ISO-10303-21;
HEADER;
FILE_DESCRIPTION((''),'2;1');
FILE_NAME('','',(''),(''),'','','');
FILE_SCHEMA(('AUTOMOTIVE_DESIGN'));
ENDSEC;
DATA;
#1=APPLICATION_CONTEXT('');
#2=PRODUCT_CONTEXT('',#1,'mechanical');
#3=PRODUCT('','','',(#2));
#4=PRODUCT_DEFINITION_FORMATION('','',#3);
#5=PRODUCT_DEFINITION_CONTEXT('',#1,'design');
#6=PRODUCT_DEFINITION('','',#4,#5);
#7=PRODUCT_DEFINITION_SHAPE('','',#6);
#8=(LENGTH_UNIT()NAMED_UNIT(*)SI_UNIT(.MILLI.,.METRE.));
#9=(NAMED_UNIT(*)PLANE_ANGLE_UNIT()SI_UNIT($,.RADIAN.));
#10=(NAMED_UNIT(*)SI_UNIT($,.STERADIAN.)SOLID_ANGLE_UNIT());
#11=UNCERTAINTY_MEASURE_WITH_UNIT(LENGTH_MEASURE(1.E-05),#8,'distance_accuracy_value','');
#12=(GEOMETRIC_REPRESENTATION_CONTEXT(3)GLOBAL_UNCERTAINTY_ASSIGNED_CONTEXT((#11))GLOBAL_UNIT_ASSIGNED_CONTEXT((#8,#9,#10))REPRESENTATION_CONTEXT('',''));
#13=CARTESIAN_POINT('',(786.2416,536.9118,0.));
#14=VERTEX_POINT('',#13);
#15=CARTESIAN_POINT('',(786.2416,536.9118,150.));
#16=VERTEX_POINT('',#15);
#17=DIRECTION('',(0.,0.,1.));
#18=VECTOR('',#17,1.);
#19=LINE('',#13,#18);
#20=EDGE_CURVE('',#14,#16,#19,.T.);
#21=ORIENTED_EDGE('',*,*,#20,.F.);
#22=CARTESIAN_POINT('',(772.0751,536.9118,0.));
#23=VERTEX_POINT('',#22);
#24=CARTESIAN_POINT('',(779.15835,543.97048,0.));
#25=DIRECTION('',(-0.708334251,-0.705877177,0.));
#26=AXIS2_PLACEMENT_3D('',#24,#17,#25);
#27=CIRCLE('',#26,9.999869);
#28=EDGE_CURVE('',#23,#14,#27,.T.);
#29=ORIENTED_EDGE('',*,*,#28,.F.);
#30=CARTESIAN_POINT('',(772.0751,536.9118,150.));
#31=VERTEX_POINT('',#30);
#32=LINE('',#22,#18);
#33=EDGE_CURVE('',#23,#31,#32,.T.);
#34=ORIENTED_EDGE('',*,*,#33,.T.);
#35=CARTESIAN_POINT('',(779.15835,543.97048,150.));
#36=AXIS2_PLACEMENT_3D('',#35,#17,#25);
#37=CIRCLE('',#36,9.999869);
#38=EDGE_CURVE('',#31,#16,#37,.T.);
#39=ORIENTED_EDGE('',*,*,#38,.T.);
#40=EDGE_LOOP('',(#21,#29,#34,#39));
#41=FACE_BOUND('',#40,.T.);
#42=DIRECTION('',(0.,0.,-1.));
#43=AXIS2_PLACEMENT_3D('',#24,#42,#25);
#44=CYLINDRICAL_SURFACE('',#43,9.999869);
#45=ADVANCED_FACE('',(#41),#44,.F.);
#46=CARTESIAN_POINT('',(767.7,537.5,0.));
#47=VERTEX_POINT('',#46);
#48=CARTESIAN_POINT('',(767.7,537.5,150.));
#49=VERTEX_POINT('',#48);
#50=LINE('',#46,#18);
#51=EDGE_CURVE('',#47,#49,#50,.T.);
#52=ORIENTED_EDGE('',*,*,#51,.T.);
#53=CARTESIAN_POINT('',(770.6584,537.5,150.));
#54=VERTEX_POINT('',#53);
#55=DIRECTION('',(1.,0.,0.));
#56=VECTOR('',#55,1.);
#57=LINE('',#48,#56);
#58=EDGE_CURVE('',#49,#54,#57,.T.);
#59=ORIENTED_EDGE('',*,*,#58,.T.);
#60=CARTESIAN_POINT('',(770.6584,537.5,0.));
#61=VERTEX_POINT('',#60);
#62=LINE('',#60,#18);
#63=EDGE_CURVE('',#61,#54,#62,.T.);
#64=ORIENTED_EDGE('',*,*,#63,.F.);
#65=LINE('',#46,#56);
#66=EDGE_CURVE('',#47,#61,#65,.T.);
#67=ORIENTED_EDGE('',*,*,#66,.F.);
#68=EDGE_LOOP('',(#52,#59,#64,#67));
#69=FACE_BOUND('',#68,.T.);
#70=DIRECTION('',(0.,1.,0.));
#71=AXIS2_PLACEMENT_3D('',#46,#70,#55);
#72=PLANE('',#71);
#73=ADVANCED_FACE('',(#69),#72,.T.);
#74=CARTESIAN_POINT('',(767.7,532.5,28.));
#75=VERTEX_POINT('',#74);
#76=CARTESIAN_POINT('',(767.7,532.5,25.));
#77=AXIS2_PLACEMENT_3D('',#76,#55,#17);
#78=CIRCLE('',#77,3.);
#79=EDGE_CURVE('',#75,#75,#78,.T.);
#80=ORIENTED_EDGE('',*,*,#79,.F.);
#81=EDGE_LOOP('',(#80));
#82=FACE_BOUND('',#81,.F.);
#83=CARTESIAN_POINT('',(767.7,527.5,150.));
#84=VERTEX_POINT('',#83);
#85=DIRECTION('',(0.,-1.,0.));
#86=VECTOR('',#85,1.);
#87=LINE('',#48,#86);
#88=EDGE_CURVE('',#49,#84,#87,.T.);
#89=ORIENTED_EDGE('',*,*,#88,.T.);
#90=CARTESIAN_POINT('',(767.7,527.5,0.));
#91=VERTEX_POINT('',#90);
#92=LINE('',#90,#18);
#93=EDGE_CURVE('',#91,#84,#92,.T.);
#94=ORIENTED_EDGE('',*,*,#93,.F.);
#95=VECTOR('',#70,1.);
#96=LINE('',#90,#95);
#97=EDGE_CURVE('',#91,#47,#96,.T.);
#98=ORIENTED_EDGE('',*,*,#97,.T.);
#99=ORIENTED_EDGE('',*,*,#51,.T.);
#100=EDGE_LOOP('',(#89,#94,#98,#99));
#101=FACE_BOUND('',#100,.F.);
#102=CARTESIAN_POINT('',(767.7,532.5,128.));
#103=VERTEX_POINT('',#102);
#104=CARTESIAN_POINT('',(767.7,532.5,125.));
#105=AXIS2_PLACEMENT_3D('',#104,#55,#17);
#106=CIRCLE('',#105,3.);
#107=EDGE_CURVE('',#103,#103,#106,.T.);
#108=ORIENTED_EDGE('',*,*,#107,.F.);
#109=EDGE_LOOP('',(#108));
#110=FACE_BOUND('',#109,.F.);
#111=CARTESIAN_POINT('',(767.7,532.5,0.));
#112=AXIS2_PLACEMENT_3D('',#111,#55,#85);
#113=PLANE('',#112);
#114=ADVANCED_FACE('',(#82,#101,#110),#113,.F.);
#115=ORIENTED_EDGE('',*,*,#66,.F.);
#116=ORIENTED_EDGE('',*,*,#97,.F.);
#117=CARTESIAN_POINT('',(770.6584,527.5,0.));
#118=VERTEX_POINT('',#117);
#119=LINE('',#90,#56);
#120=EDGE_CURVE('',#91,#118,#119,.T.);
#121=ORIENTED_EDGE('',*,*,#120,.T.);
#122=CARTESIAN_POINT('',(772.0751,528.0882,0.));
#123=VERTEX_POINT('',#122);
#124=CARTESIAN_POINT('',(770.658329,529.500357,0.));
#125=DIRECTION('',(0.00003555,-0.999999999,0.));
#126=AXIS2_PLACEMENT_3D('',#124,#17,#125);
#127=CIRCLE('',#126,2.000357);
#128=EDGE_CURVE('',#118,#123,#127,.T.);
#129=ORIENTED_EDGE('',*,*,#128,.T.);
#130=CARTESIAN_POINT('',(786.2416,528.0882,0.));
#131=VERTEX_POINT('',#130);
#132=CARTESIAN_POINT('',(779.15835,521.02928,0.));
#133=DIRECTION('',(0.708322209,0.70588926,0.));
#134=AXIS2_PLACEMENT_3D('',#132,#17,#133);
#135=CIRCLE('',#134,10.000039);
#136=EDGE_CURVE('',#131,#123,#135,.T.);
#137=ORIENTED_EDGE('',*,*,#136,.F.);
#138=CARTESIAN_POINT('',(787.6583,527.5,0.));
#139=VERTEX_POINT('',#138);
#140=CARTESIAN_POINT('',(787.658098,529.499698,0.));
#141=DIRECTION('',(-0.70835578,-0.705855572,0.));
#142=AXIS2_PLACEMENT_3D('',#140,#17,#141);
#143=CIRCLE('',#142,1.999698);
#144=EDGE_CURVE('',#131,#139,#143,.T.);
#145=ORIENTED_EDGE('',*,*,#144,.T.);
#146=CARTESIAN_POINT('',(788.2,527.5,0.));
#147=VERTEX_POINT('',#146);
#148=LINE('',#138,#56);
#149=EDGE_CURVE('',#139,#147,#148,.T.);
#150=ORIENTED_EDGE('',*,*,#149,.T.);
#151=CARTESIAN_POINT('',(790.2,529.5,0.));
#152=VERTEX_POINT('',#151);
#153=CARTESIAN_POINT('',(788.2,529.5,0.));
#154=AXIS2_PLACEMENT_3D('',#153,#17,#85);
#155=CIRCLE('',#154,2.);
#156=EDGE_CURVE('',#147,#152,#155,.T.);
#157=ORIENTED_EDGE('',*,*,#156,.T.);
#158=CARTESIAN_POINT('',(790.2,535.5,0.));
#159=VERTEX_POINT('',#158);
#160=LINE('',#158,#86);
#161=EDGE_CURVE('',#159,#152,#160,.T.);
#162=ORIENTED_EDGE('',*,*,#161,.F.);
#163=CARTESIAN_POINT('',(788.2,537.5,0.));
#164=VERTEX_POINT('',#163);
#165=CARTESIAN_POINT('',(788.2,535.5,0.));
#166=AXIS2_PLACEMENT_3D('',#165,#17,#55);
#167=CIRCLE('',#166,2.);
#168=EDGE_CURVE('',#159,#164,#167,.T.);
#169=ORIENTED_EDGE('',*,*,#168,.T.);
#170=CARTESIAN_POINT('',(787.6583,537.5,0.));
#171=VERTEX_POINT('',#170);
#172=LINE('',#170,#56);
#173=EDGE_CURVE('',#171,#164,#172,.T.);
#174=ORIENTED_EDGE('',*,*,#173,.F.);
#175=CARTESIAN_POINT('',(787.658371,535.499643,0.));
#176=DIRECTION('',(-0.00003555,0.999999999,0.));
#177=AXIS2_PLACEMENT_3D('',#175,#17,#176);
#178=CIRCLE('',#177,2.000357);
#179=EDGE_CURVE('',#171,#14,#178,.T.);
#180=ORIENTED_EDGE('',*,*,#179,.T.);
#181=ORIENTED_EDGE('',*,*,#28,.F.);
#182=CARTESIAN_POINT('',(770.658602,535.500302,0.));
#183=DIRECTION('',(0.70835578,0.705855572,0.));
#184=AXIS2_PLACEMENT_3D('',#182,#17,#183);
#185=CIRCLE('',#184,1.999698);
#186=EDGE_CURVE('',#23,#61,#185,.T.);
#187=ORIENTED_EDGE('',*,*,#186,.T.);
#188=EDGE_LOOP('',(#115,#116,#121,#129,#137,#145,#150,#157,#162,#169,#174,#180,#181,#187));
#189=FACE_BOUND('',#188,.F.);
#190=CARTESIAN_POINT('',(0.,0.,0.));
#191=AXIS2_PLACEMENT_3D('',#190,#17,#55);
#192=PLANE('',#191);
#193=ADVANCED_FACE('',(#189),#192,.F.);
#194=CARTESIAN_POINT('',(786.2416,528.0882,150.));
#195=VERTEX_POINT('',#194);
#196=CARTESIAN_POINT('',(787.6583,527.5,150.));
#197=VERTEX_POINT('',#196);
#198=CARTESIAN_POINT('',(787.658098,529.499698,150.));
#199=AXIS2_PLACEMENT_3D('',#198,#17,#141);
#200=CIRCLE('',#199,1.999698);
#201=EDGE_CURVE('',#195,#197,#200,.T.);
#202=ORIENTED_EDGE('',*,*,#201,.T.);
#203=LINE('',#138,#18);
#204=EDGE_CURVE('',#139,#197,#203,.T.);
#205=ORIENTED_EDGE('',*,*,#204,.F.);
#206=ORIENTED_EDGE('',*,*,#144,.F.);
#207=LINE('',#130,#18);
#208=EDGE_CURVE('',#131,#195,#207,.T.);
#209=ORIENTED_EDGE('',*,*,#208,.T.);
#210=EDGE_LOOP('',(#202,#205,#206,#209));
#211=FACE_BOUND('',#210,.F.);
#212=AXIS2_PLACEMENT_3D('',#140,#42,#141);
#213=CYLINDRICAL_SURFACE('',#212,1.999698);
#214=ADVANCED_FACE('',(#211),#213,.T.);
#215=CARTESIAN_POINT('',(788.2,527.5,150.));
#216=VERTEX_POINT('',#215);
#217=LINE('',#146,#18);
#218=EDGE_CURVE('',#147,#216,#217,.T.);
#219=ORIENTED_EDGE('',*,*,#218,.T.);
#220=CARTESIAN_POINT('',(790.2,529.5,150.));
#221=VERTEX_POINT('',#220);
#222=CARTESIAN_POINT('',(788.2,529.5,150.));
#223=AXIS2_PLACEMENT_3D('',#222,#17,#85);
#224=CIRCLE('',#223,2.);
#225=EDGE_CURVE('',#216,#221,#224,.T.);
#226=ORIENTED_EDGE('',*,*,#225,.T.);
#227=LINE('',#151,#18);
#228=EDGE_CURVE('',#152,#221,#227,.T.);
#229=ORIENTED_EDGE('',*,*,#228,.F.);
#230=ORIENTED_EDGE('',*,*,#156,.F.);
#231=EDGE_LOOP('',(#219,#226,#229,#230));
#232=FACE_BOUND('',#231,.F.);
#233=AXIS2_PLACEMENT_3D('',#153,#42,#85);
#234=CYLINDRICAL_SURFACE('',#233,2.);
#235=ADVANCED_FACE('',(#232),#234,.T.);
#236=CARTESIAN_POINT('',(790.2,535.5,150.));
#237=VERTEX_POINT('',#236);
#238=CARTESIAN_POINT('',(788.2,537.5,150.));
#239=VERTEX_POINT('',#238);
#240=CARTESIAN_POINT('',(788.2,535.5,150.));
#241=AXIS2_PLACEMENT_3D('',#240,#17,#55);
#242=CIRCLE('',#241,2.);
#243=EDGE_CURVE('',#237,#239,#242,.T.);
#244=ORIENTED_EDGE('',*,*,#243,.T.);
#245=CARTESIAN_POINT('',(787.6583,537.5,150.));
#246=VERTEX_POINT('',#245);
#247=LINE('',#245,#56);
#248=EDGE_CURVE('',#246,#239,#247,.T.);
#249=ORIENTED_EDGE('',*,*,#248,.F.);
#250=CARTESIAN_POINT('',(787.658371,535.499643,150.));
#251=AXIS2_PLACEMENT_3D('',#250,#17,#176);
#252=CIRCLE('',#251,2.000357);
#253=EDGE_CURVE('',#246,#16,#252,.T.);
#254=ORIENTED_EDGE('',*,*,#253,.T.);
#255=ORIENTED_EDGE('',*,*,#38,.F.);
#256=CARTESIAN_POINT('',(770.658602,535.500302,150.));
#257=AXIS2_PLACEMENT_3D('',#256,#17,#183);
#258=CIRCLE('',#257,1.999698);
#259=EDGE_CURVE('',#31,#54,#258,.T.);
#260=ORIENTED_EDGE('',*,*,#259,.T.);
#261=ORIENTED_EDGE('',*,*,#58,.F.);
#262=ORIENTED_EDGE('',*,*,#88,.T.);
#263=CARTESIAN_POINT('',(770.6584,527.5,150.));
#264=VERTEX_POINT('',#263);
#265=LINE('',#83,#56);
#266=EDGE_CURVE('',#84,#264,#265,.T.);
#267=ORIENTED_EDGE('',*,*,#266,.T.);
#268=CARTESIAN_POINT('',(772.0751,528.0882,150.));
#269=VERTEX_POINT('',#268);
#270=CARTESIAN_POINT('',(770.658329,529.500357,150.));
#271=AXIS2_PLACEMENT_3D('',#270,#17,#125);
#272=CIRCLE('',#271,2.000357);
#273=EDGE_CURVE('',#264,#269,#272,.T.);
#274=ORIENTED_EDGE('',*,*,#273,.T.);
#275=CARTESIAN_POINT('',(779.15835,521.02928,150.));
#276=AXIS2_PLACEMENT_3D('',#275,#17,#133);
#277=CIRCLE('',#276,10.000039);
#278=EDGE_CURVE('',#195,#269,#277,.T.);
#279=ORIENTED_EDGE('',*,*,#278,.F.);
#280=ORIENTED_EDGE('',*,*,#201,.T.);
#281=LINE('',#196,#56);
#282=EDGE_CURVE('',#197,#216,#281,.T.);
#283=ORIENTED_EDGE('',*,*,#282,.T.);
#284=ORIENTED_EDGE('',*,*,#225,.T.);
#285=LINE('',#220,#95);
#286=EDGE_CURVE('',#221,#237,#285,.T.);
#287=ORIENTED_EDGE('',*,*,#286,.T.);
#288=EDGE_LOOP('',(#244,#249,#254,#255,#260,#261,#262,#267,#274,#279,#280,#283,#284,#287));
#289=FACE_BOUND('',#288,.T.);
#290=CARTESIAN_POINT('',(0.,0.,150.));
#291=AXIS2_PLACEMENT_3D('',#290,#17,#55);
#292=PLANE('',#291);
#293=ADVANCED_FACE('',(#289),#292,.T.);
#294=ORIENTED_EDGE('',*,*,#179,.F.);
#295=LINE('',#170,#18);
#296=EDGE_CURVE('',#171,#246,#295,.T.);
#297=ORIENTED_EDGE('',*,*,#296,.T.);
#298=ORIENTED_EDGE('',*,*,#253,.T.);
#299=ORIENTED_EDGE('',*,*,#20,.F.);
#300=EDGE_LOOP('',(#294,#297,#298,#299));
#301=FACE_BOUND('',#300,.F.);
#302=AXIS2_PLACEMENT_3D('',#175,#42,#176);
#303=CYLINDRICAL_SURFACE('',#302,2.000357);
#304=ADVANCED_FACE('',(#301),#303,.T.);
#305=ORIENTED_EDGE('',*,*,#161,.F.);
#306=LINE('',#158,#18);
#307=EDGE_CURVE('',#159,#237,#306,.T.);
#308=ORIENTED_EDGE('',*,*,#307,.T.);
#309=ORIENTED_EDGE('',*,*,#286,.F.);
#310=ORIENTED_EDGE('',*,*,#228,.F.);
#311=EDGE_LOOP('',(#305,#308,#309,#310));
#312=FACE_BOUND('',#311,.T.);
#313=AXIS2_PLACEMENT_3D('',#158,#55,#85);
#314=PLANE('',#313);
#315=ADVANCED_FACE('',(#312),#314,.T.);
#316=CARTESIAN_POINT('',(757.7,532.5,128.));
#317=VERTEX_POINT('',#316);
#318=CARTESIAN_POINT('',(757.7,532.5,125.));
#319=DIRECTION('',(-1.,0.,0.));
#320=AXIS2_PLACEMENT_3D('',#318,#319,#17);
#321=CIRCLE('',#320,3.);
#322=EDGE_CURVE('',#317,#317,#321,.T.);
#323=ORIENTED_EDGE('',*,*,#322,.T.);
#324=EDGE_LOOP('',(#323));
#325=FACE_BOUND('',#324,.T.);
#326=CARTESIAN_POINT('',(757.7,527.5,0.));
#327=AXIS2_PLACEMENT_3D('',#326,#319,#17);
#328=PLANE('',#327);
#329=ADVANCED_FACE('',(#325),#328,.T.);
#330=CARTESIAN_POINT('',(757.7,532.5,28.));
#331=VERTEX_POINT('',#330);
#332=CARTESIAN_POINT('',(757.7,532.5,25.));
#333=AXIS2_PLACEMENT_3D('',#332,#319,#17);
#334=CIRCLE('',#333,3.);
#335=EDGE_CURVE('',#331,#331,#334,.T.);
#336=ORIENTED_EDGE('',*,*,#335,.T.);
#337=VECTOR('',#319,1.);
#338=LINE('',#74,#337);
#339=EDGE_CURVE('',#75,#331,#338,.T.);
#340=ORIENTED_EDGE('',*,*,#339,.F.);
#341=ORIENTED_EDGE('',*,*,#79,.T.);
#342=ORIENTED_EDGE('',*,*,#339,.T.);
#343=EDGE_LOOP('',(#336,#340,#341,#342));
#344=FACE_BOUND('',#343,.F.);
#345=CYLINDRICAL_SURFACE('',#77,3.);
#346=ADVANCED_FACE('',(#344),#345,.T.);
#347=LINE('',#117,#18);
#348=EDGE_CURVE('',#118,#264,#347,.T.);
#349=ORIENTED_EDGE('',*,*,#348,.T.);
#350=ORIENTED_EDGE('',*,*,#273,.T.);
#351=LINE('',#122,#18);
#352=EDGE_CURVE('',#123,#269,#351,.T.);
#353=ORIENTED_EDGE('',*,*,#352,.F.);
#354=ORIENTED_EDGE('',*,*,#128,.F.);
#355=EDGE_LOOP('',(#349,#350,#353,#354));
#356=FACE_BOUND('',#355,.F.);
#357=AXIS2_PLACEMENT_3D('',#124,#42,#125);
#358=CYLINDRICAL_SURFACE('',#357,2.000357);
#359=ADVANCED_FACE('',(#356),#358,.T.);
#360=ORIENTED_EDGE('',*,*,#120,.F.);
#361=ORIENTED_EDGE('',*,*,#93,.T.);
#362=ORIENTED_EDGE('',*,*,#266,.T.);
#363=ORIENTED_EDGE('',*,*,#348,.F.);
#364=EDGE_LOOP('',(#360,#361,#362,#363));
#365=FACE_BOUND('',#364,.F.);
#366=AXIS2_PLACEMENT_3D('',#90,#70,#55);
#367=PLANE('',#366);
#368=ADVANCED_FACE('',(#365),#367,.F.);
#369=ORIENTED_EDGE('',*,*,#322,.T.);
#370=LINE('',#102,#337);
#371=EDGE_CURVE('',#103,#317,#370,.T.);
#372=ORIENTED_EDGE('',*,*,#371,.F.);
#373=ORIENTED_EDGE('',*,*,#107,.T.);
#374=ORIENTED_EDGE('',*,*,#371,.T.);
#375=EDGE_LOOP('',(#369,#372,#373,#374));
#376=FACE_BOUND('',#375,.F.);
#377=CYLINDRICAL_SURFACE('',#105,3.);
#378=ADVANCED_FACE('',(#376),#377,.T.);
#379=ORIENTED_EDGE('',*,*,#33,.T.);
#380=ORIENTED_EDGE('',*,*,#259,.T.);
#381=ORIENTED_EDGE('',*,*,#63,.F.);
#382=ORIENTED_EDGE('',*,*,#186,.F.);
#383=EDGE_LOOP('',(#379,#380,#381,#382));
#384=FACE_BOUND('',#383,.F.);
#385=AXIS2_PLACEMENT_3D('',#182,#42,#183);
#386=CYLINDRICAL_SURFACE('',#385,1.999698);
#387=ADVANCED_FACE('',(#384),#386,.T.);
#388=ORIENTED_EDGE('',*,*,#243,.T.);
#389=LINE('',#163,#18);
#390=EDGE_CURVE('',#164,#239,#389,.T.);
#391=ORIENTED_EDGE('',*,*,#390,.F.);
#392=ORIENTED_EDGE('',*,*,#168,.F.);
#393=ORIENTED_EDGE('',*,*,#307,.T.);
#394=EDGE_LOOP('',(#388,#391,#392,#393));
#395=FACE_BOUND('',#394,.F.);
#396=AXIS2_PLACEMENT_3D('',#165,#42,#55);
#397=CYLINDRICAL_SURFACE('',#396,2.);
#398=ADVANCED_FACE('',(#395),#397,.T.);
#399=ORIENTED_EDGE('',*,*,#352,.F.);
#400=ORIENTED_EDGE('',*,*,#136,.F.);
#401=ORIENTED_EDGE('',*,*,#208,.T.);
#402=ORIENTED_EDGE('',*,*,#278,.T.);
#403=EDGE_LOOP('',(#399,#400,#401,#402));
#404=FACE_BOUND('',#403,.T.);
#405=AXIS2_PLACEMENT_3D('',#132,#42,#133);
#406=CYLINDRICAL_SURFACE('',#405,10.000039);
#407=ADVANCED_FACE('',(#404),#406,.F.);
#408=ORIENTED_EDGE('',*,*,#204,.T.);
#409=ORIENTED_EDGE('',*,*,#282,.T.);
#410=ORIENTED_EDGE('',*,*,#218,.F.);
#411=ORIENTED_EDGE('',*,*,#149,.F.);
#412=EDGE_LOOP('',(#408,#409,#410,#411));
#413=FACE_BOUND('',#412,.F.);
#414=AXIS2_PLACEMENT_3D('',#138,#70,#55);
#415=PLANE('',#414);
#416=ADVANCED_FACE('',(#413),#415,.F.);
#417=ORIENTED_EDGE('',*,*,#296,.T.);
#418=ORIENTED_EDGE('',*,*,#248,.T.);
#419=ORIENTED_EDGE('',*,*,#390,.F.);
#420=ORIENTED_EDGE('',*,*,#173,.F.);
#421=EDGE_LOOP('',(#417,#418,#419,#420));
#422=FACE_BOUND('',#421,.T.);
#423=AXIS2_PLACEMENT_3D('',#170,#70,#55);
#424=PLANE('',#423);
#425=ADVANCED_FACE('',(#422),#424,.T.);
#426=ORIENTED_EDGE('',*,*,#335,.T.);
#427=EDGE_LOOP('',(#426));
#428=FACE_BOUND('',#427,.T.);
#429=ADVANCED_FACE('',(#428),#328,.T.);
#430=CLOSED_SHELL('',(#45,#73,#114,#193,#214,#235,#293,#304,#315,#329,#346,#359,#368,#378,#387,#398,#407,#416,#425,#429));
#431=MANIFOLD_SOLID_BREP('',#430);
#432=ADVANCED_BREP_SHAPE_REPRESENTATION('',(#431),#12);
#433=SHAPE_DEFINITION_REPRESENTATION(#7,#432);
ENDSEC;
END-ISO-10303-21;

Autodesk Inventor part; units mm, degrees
ref_plane "YZ Plane" through (0, 0, 0) normal (1, 0, 0) x (0, 1, 0)
ref_plane "XZ Plane" through (0, 0, 0) normal (0, 1, 0) x (-1, 0, 0)
ref_plane "XY Plane" through (0, 0, 0) normal (0, 0, 1) x (1, 0, 0)
sketch "Boceto1" plane through (0, 0, 0) normal (0, 0, 1) x (1, 0, 0)
  arc A0 (786.2416, 528.0882) -> (772.0751, 528.0882) centre (779.1584, 521.0294) ccw
  arc A1 (786.2416, 528.0882) -> (772.0751, 528.0882) centre (779.1584, 521.0294) ccw
  line L0 (767.7, 527.5) -> (770.6584, 527.5)
  line L1 (767.7, 527.5) -> (770.6584, 527.5)
  arc A2 (790.2, 535.5) -> (788.2, 537.5) centre (788.2, 535.5) ccw
  line L2 (787.6583, 537.5) -> (788.2, 537.5)
  line L3 (787.6583, 537.5) -> (788.2, 537.5)
  arc A3 (787.6583, 537.5) -> (786.2416, 536.9118) centre (787.6583, 535.5) ccw
  arc A4 (787.6583, 537.5) -> (786.2416, 536.9118) centre (787.6583, 535.5) ccw
  arc A5 (772.0751, 536.9118) -> (786.2416, 536.9118) centre (779.1584, 543.9706) ccw
  arc A6 (772.0751, 536.9118) -> (786.2416, 536.9118) centre (779.1584, 543.9706) ccw
  line L4 (790.2, 535.5) -> (790.2, 532.5)
  arc A7 (786.2416, 528.0882) -> (787.6583, 527.5) centre (787.6583, 529.5) ccw
  arc A8 (786.2416, 528.0882) -> (787.6583, 527.5) centre (787.6583, 529.5) ccw
  line L5 (787.6583, 527.5) -> (788.2, 527.5)
  line L6 (787.6583, 527.5) -> (788.2, 527.5)
  arc A9 (788.2, 527.5) -> (790.2, 529.5) centre (788.2, 529.5) ccw
  line L7 (790.2, 529.5) -> (790.2, 532.5)
  line L8 (790.2, 529.5) -> (790.2, 532.5)
  arc A10 (788.2, 527.5) -> (790.2, 529.5) centre (788.2, 529.5) ccw
  line L9 (767.7, 537.5) -> (770.6584, 537.5)
  arc A11 (772.0751, 536.9118) -> (770.6584, 537.5) centre (770.6584, 535.5) ccw
  arc A12 (772.0751, 536.9118) -> (770.6584, 537.5) centre (770.6584, 535.5) ccw
  line L10 (767.7, 537.5) -> (770.6584, 537.5)
  line L11 (767.7, 532.5) -> (767.7, 537.5)
  line L12 (767.7, 532.5) -> (767.7, 537.5)
  arc A13 (770.6584, 527.5) -> (772.0751, 528.0882) centre (770.6584, 529.5) ccw
  arc A14 (770.6584, 527.5) -> (772.0751, 528.0882) centre (770.6584, 529.5) ccw
  line L13 (767.7, 532.5) -> (767.7, 527.5)
  line L14 (767.7, 532.5) -> (767.7, 527.5)
  arc A15 (772.0751, 536.9118) -> (786.2416, 536.9118) centre (779.1584, 543.9706) ccw
  line L15 (787.6583, 537.5) -> (788.2, 537.5)
  line L16 (767.7, 537.5) -> (770.6584, 537.5)
  arc A16 (787.6583, 537.5) -> (786.2416, 536.9118) centre (787.6583, 535.5) ccw
  arc A17 (772.0751, 536.9118) -> (770.6584, 537.5) centre (770.6584, 535.5) ccw
  arc A18 (790.2, 535.5) -> (788.2, 537.5) centre (788.2, 535.5) ccw
  line L17 (767.7, 532.5) -> (767.7, 537.5)
  line L18 (790.2, 535.5) -> (790.2, 532.5)
  point P0 (790.2, 537.5)
  point P1 (790.2, 537.5)
  point P2 (786.7828, 537.5)
  point P3 (786.7828, 537.5)
  point P4 (786.7828, 527.5)
  point P5 (786.7828, 527.5)
  point P6 (790.2, 527.5)
  point P7 (790.2, 527.5)
  point P8 (771.534, 537.5)
  point P9 (771.534, 537.5)
  point P10 (771.534, 527.5)
  point P11 (771.534, 527.5)
  point P12 (779.1584, 533.9706)
  point P13 (771.534, 537.5)
  point P14 (790.2, 537.5)
  point P15 (786.7828, 537.5)
extrude "Extrusión1" add sketch "Boceto1" along normal blind 150
sketch "Sketch3" plane through (767.7, 527.5, 0) normal (-1, 0, 0) x (0, 0, 1)
  line L0 (0, 10) -> (0, 0) construction
  line L1 (0, 0) -> (150, 0) construction
  line L2 (150, 10) -> (150, 0) construction
  line L3 (0, 10) -> (150, 10) construction
  line L4 (0, 2) -> (0, 8) projected
  line L5 (0, 5) -> (150, 5) construction
  line L6 (150, 2) -> (150, 8) projected
  circle A0 centre (25, 5) radius 3
  line L7 (0, 0) -> (150, 0) projected
  line L8 (75, 0) -> (75, 10) construction
  line L9 (0, 10) -> (150, 10) projected
  circle A1 centre (125, 5) radius 3
  point P0 (0, -527.5)
  dimension "d6" = 6
  dimension "d7" = 50
extrude "Extrusion3" add sketch "Sketch3" along normal blind 10
properties part number "manija"
